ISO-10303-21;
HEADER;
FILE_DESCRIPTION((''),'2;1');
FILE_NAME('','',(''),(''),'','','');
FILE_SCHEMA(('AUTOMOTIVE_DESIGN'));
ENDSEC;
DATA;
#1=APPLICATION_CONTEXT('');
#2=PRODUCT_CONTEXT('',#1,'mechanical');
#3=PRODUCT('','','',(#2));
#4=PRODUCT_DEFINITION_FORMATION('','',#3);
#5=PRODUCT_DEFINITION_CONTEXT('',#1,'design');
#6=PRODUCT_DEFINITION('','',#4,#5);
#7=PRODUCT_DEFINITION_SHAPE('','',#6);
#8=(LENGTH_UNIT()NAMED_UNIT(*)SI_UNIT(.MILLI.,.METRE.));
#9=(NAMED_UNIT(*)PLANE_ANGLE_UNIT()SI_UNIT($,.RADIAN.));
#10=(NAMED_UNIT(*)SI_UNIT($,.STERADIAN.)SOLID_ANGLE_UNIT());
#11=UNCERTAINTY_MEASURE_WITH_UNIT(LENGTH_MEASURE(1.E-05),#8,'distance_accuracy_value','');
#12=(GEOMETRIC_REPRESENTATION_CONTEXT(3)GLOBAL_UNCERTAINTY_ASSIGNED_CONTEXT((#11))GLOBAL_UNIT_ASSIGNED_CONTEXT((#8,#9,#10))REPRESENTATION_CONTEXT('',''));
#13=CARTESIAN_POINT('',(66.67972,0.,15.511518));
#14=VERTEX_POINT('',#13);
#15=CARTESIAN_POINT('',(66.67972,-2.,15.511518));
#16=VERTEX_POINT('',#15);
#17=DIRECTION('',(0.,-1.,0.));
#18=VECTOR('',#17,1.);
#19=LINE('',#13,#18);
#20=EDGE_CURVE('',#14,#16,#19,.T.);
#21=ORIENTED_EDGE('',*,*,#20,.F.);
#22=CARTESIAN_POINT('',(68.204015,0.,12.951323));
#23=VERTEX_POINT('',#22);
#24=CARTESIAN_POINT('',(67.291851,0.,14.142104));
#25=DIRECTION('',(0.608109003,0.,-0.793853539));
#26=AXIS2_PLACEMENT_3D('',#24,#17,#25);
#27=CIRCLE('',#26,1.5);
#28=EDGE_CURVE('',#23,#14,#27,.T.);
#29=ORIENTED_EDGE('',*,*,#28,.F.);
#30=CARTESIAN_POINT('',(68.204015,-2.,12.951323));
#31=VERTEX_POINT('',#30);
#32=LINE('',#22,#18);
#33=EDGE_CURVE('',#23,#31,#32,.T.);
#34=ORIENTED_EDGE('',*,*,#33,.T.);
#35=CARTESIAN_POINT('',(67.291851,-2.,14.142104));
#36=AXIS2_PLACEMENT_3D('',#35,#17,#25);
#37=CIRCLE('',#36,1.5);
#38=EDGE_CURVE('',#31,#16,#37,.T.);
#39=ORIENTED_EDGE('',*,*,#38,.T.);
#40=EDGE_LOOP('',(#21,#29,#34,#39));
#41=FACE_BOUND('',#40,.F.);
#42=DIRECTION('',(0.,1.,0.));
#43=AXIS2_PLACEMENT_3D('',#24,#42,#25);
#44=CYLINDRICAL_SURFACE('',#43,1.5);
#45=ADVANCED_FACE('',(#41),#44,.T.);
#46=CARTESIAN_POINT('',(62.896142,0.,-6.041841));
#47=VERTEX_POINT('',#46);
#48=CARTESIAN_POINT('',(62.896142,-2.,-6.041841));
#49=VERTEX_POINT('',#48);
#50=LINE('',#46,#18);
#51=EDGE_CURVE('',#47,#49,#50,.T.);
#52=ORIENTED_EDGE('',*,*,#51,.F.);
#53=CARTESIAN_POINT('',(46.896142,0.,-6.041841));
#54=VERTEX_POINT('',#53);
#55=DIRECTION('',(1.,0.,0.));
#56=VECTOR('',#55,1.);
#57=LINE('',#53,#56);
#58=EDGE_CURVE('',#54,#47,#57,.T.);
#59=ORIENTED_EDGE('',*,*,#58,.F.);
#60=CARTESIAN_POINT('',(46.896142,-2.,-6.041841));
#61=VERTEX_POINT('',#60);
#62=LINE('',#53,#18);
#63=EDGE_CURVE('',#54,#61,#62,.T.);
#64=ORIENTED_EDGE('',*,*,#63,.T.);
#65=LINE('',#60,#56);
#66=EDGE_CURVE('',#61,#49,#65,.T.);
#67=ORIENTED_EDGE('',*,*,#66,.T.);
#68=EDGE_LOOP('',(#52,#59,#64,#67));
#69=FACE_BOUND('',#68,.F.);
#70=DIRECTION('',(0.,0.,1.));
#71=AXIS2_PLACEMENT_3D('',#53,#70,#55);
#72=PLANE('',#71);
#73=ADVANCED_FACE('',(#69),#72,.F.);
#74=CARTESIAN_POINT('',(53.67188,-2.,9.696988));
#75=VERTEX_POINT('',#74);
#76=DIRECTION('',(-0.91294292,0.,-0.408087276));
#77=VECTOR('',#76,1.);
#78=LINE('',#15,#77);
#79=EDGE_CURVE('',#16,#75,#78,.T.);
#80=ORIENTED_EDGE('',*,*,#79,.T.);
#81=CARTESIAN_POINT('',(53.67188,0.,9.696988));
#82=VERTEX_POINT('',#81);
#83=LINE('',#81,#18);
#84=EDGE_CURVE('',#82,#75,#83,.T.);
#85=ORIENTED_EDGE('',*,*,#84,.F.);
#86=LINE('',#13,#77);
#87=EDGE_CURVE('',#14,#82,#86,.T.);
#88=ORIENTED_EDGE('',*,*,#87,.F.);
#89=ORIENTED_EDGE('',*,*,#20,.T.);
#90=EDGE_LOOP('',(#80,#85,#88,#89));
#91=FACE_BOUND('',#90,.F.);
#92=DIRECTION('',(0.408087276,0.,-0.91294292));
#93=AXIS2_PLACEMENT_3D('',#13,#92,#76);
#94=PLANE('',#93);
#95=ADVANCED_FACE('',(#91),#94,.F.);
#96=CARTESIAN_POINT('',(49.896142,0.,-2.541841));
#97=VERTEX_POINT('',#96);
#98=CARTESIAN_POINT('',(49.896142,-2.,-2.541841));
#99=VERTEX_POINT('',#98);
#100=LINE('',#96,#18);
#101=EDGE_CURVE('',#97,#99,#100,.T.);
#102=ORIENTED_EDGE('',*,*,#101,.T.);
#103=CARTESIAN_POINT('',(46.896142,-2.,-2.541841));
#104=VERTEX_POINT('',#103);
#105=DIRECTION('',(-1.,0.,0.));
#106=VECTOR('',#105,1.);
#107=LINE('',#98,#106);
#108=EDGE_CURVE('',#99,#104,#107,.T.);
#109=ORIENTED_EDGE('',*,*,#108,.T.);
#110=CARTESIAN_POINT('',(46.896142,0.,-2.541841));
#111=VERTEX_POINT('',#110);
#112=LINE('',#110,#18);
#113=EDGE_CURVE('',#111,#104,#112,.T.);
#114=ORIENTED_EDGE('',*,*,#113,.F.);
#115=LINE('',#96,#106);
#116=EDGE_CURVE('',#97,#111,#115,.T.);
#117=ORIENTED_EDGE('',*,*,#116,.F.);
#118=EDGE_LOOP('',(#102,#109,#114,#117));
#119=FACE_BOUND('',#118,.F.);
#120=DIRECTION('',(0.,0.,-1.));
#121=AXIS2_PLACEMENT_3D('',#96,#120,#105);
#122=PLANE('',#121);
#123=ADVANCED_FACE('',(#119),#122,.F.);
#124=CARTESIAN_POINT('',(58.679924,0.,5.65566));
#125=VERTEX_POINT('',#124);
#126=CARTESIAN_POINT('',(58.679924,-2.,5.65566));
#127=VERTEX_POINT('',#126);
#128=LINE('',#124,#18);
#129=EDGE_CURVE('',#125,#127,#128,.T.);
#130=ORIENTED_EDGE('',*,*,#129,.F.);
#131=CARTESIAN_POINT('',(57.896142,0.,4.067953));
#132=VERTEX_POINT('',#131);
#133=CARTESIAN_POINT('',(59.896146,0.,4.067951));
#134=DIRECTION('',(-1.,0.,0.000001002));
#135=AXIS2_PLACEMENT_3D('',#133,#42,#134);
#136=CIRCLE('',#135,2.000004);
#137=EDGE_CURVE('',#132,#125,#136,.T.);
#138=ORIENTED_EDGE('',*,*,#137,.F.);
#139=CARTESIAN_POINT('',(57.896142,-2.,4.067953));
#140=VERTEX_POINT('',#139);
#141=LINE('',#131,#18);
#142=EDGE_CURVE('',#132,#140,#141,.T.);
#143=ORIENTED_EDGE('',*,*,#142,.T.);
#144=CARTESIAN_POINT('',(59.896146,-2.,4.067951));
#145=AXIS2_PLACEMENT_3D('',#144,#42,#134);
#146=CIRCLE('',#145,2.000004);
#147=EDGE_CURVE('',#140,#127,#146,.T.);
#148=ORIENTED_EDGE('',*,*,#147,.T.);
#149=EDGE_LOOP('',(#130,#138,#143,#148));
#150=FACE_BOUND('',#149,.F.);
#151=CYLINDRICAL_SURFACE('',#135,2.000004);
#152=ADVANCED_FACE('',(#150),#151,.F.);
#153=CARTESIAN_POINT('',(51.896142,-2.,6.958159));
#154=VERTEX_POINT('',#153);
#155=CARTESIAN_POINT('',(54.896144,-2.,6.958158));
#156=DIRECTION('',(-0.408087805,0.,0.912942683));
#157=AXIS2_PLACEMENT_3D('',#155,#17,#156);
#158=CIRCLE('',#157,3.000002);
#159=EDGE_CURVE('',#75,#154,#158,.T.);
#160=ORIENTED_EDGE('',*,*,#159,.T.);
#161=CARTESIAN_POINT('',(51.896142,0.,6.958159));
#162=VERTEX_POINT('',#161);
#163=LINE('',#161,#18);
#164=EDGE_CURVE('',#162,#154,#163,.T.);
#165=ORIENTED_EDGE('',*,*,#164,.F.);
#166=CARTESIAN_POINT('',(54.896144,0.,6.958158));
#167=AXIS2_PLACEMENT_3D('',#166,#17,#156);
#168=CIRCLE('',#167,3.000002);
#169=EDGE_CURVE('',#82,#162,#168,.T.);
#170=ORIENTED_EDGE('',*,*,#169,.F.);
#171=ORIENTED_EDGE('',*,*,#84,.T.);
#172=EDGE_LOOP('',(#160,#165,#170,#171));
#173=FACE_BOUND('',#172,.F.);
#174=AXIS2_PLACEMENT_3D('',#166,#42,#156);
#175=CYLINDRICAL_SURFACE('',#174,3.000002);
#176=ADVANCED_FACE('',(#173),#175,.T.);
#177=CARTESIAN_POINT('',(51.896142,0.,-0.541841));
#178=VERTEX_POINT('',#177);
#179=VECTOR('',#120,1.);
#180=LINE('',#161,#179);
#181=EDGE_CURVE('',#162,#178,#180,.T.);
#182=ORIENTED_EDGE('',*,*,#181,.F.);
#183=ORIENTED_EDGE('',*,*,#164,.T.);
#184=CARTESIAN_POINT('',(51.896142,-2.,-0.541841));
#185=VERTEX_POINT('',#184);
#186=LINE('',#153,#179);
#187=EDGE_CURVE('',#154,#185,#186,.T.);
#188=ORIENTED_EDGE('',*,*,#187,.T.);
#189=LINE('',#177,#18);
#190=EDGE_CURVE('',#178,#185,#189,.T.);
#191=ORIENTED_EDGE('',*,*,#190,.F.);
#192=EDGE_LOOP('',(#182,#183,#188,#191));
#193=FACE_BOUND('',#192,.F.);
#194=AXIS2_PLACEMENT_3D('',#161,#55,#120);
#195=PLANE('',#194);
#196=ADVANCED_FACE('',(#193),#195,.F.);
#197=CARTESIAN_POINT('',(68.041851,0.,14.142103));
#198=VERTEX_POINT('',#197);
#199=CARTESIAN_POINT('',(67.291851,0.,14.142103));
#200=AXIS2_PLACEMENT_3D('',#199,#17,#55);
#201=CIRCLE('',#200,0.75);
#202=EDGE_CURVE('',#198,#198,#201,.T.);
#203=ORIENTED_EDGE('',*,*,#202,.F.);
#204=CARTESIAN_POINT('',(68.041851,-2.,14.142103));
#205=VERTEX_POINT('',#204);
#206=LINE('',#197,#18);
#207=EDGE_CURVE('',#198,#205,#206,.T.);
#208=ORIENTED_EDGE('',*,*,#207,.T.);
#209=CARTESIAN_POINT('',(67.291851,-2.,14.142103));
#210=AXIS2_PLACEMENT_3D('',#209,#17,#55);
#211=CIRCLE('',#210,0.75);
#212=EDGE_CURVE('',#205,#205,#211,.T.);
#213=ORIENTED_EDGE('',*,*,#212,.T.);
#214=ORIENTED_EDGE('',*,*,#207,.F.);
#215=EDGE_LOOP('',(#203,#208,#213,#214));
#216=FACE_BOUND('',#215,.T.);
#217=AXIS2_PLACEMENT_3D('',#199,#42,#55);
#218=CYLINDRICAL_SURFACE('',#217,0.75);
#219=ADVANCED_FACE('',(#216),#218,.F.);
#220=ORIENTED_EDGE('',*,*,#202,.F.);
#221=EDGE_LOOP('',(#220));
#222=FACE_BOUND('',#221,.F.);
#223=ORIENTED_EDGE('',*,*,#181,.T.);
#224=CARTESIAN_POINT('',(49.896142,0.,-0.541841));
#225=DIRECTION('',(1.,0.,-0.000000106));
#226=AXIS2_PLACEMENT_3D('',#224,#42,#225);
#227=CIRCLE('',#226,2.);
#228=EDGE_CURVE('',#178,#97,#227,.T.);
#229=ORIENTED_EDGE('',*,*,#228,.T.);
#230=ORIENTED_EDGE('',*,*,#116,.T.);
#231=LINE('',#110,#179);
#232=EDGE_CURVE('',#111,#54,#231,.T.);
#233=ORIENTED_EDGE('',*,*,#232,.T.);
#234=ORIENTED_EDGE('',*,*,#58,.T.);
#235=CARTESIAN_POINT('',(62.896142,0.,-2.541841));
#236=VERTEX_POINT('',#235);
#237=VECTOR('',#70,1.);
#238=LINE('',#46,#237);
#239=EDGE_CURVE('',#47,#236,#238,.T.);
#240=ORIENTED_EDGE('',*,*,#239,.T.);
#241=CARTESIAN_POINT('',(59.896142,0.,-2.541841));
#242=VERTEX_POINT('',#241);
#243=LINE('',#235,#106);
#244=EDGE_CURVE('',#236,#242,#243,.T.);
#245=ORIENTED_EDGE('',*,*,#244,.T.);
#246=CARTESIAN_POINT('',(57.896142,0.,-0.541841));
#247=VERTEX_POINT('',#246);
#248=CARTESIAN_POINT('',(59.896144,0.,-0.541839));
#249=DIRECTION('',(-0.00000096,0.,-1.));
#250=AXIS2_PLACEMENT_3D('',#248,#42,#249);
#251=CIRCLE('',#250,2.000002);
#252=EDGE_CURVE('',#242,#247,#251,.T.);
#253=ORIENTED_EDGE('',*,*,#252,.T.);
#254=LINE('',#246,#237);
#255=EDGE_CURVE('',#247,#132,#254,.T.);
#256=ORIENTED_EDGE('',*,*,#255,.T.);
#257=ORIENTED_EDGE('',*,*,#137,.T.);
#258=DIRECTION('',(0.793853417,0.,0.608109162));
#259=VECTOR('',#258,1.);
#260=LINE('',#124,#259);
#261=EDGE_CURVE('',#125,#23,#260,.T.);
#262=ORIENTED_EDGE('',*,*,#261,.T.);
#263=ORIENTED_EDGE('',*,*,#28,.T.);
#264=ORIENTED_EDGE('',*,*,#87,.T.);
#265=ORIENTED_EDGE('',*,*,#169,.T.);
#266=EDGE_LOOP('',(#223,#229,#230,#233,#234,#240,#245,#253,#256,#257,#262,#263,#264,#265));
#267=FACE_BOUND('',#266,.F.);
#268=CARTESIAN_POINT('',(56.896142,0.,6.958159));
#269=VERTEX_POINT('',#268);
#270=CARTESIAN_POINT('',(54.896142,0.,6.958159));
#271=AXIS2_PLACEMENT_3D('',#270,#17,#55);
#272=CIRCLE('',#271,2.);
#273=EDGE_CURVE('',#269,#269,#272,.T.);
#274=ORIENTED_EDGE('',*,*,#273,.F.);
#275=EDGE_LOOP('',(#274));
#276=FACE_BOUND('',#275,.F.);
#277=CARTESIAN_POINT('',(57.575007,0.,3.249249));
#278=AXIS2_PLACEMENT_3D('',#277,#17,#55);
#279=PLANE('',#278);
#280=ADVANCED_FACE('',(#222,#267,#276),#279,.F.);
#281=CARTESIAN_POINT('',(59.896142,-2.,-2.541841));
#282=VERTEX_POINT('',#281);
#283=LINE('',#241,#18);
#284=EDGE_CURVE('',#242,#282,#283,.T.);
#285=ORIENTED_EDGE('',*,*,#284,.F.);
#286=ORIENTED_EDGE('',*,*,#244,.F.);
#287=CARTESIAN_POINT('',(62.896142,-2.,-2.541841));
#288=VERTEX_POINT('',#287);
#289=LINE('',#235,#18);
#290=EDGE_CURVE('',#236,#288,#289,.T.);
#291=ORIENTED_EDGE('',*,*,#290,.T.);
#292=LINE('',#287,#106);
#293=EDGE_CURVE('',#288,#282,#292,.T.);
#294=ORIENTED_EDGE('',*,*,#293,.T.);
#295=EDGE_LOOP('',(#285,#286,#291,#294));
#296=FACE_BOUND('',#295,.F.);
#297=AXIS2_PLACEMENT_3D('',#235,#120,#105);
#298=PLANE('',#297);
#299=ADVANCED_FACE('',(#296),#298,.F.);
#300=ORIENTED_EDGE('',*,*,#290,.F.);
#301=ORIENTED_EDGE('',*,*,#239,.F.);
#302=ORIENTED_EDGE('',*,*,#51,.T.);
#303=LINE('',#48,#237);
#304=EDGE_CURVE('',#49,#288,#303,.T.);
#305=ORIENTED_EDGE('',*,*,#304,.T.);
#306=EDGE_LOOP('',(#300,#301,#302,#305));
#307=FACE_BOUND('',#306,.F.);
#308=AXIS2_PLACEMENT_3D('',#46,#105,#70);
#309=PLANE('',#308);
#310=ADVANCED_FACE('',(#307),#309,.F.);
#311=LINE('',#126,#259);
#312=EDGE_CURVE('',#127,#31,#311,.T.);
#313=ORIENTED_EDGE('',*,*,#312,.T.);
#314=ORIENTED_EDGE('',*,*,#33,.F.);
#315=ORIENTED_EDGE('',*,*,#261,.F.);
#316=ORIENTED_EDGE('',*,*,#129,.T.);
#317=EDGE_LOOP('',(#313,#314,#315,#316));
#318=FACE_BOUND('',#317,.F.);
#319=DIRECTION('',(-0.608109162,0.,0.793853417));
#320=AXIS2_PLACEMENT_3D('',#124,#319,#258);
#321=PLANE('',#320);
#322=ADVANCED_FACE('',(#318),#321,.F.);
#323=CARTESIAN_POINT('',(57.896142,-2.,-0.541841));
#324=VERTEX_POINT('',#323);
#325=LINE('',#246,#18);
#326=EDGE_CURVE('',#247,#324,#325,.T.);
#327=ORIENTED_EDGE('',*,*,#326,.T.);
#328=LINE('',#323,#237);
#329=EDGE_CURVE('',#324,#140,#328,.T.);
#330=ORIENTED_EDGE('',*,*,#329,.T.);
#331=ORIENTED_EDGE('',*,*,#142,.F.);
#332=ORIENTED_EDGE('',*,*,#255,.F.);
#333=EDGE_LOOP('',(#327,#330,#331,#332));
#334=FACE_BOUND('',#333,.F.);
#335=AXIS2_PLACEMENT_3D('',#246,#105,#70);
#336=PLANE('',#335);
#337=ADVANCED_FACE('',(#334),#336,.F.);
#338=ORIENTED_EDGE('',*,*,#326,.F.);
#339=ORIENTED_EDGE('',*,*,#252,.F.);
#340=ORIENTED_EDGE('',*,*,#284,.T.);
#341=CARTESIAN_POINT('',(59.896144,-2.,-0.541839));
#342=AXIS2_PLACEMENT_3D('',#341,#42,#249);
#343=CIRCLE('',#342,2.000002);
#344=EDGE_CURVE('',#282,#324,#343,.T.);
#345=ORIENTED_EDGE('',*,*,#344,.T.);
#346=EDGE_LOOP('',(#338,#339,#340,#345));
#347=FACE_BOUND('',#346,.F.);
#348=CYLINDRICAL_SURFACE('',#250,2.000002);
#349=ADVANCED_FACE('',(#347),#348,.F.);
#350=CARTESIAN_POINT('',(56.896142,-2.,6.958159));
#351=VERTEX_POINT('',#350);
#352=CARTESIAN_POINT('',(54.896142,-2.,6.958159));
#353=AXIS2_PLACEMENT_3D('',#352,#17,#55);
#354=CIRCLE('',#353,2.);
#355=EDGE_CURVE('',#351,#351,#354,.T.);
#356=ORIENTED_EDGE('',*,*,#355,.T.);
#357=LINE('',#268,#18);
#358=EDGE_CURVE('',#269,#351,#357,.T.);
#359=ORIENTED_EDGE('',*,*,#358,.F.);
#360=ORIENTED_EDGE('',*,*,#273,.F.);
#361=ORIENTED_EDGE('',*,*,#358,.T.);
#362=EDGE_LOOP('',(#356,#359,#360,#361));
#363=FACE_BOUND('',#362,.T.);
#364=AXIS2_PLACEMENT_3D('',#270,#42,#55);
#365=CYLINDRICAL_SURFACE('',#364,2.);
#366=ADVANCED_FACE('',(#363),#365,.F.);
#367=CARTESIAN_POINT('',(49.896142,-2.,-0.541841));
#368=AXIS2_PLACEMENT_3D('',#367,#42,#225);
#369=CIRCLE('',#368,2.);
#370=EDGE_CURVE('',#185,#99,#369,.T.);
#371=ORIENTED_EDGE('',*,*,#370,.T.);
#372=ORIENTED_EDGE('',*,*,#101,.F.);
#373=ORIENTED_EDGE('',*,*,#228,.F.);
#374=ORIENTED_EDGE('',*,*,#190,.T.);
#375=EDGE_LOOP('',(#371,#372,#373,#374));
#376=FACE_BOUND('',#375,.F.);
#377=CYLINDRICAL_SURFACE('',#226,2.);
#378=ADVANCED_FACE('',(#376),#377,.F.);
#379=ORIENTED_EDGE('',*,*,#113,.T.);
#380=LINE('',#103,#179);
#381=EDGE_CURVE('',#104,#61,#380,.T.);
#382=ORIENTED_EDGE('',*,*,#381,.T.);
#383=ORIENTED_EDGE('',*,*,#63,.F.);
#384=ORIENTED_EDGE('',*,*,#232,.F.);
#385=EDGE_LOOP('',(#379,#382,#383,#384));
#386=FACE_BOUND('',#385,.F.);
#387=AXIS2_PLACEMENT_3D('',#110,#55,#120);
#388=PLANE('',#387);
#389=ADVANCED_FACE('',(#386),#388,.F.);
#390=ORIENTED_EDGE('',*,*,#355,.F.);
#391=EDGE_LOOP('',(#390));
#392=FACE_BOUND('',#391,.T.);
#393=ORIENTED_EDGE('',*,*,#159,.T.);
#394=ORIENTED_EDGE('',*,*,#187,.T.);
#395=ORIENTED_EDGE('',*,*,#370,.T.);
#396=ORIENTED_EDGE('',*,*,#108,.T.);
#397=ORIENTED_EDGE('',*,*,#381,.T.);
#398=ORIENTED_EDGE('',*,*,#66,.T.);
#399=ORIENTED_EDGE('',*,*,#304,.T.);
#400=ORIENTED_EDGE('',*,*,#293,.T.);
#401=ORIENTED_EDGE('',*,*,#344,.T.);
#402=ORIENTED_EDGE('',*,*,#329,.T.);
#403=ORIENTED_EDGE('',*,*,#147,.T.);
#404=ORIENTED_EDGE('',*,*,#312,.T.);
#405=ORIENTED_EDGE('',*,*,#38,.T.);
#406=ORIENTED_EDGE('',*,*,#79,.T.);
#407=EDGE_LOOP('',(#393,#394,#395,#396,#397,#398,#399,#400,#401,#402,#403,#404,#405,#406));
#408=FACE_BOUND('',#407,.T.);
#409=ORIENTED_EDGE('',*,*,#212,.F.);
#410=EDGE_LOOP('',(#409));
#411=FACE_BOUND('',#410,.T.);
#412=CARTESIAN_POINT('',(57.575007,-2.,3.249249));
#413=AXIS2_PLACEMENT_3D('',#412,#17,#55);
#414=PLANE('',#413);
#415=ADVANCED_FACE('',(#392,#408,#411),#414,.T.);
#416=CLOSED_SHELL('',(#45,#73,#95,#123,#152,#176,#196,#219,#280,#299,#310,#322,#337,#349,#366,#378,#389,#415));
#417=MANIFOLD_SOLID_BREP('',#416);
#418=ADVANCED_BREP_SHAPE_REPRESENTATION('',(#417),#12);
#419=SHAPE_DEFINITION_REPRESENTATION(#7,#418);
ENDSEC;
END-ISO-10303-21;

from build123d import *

# Parameters (mm, degrees)
F0_R     = 2
F0_R_2   = 0.75
F1_DEPTH = 2


with BuildPart() as f1:
    # F0 (on Front) → F1 (new body)
    with BuildSketch(Plane.XZ):
        with BuildLine():
            Line((66.67972, 15.511518), (53.67188, 9.696988))
            ThreePointArc((53.67188, 9.696988), (52.378923, 8.590215), (51.896142, 6.958159))
            Line((51.896142, 6.958159), (51.896142, -0.541841))
            ThreePointArc((51.896142, -0.541841), (51.310356, -1.956054), (49.896142, -2.541841))
            Line((49.896142, -2.541841), (46.896142, -2.541841))
            Line((46.896142, -2.541841), (46.896142, -6.041841))
            Line((46.896142, -6.041841), (62.896142, -6.041841))
            Line((62.896142, -6.041841), (62.896142, -2.541841))
            Line((62.896142, -2.541841), (59.896142, -2.541841))
            ThreePointArc((59.896142, -2.541841), (58.481929, -1.956054), (57.896142, -0.541841))
            Line((57.896142, -0.541841), (57.896142, 4.067953))
            ThreePointArc((57.896142, 4.067953), (58.102761, 4.953268), (58.679924, 5.65566))
            Line((58.679924, 5.65566), (68.204015, 12.951323))
            ThreePointArc((68.204015, 12.951323), (68.580709, 14.909467), (66.67972, 15.511518))
        make_face()
        with Locations((54.896142, 6.958159)):
            Circle(F0_R, mode=Mode.SUBTRACT)
        with Locations((67.291851, 14.142103)):
            Circle(F0_R_2, mode=Mode.SUBTRACT)
    extrude(amount=F1_DEPTH)


solid = f1.part
